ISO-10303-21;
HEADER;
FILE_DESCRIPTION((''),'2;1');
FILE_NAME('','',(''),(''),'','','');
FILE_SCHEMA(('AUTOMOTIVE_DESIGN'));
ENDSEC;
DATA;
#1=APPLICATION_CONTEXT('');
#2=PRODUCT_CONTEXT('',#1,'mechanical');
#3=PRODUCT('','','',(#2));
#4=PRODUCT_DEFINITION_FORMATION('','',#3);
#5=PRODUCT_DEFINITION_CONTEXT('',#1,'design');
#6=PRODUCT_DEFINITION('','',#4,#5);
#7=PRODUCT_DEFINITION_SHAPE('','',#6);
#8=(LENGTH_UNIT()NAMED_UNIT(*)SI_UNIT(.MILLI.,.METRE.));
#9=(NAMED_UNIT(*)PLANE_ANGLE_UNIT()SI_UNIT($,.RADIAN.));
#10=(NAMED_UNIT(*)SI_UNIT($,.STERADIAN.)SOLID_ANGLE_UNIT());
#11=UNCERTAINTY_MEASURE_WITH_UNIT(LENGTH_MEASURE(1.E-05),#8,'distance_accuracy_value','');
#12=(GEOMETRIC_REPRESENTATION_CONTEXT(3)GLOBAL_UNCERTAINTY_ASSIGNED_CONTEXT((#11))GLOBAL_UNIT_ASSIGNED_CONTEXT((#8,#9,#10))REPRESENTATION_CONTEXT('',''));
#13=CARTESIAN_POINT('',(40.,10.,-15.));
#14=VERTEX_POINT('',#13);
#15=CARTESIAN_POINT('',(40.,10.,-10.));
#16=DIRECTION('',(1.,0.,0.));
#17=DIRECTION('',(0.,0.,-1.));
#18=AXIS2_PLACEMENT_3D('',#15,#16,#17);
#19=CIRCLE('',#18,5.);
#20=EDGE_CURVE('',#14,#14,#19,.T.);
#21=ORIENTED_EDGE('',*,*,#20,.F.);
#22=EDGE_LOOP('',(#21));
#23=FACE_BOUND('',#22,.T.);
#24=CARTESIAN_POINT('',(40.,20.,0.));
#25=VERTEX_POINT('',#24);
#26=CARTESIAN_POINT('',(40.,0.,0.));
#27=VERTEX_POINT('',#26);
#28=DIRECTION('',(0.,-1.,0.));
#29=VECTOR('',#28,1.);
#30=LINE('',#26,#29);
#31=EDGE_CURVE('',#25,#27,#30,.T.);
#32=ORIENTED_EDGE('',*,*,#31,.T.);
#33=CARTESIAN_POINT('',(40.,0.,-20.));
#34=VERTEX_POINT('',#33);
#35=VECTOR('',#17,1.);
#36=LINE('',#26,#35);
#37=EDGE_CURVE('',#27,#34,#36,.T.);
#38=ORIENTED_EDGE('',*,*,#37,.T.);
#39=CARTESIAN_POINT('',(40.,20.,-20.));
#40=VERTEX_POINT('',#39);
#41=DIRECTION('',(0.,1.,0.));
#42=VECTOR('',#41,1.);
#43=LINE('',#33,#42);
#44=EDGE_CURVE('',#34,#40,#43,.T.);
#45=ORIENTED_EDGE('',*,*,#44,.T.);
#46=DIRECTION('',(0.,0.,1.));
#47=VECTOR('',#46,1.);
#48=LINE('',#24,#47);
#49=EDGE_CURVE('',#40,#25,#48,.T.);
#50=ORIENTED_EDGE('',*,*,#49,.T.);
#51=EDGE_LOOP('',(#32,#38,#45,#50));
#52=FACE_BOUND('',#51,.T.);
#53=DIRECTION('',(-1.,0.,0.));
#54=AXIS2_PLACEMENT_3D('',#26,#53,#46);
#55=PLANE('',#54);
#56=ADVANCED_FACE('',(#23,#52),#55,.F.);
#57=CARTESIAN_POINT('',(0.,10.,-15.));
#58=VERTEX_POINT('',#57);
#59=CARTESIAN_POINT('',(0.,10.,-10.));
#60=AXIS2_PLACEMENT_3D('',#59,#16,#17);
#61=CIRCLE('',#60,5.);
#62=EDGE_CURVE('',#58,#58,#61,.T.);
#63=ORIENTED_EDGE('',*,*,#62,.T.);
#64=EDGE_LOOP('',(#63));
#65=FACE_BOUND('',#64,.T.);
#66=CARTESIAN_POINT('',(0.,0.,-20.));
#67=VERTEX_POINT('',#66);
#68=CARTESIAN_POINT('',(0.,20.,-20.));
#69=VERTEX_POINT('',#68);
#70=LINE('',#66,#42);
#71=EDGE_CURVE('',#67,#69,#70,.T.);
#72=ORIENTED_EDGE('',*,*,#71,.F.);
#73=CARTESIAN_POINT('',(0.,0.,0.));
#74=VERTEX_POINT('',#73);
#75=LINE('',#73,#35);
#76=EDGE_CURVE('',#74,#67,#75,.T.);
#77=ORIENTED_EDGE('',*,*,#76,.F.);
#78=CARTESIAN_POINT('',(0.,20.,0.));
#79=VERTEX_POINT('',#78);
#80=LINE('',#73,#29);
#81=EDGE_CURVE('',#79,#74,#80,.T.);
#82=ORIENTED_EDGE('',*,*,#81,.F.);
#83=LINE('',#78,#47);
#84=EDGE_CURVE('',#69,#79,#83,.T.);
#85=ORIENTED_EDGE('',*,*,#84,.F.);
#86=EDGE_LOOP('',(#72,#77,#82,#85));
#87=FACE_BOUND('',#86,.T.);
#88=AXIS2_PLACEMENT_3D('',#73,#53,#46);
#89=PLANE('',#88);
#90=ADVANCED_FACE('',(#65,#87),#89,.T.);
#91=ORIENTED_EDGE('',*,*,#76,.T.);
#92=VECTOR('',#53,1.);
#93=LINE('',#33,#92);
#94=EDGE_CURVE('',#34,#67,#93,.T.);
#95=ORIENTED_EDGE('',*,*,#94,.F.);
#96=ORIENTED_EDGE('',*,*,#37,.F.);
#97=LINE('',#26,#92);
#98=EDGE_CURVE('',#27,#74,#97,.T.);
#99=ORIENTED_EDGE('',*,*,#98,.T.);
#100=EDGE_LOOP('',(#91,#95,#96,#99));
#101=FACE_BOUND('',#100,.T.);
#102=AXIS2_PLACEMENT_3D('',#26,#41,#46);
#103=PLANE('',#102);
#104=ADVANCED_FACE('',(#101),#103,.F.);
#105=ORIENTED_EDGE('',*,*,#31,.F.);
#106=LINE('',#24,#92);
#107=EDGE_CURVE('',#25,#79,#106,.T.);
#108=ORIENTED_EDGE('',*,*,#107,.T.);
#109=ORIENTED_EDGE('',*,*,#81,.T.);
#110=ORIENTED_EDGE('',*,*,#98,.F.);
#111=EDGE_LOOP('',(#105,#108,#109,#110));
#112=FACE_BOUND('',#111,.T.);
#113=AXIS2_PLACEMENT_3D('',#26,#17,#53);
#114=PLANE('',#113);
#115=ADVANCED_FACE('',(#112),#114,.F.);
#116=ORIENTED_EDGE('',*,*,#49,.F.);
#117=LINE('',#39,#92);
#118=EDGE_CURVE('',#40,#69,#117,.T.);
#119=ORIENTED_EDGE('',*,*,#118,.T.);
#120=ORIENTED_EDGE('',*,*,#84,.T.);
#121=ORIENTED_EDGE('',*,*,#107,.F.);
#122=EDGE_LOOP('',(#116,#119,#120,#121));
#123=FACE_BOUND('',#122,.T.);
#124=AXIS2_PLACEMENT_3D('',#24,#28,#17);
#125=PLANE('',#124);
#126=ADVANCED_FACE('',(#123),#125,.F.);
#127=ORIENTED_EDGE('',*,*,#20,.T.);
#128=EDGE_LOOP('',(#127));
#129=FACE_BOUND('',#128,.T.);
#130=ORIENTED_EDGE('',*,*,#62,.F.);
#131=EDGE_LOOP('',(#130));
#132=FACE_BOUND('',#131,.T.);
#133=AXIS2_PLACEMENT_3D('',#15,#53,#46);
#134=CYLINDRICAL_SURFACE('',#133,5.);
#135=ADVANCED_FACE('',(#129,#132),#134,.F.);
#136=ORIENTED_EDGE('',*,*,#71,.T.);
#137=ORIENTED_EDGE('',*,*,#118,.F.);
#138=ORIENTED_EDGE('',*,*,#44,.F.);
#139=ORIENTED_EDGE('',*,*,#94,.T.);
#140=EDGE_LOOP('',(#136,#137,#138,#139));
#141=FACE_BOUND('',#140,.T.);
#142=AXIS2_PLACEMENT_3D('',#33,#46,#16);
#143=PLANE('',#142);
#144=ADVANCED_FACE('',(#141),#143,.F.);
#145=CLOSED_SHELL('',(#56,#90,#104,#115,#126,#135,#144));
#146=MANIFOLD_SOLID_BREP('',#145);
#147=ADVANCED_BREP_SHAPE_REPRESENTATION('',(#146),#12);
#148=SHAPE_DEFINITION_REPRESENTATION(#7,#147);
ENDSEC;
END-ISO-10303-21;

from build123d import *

# Parameters (mm, degrees)
CROQUIS1_W              = 20
CROQUIS1_H              = 20
CROQUIS1_R              = 5
SALIENTE_EXTRUIR1_DEPTH = 40


with BuildPart() as part:
    # Croquis1 → Saliente-Extruir1 (new body)
    with BuildSketch(Plane(origin=(0, 0, 0), x_dir=(0, 0, -1), z_dir=(1, 0, 0))):
        with Locations((10, 10)):
            Rectangle(CROQUIS1_W, CROQUIS1_H)
        with Locations((10, 10)):
            Circle(CROQUIS1_R, mode=Mode.SUBTRACT)
    extrude(amount=SALIENTE_EXTRUIR1_DEPTH)


solid = part.part
